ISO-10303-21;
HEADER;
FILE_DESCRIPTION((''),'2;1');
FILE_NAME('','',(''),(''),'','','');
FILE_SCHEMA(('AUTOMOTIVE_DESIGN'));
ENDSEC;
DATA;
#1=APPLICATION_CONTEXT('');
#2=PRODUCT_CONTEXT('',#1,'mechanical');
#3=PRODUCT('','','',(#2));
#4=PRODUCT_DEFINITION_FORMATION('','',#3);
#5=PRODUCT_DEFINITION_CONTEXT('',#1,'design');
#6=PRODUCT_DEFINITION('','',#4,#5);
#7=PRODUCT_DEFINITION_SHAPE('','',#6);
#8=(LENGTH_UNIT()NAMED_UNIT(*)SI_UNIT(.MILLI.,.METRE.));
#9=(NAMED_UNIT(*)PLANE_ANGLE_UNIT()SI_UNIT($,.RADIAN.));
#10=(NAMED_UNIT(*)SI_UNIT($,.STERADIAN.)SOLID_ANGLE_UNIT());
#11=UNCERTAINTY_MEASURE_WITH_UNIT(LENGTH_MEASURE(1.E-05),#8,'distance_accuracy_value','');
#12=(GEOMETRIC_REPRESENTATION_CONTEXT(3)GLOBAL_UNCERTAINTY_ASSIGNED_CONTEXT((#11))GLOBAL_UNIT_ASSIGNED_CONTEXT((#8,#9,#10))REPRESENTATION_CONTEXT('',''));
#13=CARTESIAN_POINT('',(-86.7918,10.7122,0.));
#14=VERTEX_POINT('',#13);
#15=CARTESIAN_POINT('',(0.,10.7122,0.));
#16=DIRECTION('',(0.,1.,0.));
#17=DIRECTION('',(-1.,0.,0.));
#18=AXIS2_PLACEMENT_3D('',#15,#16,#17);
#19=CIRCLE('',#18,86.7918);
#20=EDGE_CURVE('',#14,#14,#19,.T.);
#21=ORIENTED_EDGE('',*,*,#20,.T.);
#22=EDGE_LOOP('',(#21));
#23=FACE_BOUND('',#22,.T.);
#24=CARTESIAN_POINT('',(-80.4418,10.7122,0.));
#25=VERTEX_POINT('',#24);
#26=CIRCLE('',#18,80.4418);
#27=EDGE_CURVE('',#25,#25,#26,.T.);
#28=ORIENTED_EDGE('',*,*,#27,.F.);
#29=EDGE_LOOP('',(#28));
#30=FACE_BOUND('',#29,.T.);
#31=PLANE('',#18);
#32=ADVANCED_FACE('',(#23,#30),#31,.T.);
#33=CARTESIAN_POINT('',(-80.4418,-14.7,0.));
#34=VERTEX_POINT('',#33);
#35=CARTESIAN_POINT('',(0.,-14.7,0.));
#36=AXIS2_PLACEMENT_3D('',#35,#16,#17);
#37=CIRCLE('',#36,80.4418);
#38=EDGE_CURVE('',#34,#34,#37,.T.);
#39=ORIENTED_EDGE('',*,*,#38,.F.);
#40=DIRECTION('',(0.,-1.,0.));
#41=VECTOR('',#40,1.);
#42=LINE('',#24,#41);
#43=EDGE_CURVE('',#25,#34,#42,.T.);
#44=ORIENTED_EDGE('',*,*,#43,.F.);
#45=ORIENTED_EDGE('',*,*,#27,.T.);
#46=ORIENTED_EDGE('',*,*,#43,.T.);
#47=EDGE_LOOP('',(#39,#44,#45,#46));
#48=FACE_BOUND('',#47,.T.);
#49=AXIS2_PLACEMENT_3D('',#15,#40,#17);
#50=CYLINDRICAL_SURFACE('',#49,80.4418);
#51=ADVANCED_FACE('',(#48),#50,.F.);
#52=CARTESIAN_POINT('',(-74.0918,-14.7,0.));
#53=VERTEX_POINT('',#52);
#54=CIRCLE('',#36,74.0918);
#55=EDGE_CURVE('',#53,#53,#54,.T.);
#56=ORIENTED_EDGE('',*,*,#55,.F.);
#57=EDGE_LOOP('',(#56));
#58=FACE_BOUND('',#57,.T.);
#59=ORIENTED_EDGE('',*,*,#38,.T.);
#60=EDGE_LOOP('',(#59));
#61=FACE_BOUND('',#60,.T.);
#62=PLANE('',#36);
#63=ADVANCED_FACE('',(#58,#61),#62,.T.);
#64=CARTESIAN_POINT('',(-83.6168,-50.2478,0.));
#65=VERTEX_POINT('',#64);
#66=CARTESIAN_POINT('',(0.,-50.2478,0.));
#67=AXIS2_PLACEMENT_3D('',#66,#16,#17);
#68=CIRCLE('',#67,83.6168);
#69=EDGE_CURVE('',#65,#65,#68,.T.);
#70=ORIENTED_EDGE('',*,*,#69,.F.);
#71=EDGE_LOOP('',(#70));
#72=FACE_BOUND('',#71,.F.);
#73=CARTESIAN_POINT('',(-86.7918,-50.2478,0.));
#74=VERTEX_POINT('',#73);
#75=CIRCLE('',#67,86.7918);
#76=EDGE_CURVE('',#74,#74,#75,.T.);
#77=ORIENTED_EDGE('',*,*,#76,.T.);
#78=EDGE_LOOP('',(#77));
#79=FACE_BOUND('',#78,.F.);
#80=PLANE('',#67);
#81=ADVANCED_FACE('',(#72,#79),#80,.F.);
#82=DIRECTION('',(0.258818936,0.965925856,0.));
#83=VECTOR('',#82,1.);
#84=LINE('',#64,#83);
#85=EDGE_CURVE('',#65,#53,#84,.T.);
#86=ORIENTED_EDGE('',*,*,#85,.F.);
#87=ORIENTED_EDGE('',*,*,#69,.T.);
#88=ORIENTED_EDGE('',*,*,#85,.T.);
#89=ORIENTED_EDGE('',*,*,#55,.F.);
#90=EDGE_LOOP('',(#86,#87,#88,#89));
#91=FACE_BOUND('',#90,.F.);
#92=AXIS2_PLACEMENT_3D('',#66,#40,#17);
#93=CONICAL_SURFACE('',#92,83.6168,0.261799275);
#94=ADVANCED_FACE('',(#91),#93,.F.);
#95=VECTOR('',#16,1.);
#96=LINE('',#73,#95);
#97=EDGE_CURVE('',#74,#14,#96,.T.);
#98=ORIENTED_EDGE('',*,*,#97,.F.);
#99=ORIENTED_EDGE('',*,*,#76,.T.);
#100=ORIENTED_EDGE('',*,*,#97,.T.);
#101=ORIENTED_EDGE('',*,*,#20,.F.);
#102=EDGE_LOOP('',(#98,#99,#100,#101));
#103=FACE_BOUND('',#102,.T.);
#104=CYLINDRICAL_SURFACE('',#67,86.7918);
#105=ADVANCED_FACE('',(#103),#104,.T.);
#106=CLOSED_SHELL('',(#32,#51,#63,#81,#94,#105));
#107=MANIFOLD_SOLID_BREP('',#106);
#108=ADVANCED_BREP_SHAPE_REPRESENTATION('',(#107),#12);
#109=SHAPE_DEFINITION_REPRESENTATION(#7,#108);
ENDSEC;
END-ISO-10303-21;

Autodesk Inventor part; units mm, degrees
ref_plane "YZ Plane" through (0, 0, 0) normal (1, 0, 0) x (0, 1, 0)
ref_plane "XZ Plane" through (0, 0, 0) normal (0, 1, 0) x (-1, 0, 0)
ref_plane "XY Plane" through (0, 0, 0) normal (0, 0, 1) x (1, 0, 0)
sketch "Sketch1" plane through (0, 0, 0) normal (0, 0, 1) x (1, 0, 0)
  line L0 (-86.7918, 10.7122) -> (-80.4418, 10.7122)
  line L1 (-80.4418, 10.7122) -> (-80.4418, -14.7)
  line L2 (-80.4418, -14.7) -> (-74.0918, -14.7)
  line L3 (-86.7918, -50.2478) -> (-86.7918, 10.7122)
  line L4 (-86.7918, -50.2478) -> (-83.6168, -50.2478)
  line L5 (-83.6168, -50.2478) -> (-74.0918, -14.7)
  line L6 (0, -62.4398) -> (0, 22.9042) projected
  point P0 (0, 0)
  dimension "d0" = 6.35
  dimension "d1" = 6.35
  dimension "d2" = 3.175
  dimension "d3" = 105
  dimension "d4" = 60.96
  dimension "d5" = 86.7918
revolve "Revolution1" add sketch "Sketch1" angle 360 about axis through (0, -10, 0) along (0, 1, 0)
properties part number "Aluminum Skirt 8-inch v1"
